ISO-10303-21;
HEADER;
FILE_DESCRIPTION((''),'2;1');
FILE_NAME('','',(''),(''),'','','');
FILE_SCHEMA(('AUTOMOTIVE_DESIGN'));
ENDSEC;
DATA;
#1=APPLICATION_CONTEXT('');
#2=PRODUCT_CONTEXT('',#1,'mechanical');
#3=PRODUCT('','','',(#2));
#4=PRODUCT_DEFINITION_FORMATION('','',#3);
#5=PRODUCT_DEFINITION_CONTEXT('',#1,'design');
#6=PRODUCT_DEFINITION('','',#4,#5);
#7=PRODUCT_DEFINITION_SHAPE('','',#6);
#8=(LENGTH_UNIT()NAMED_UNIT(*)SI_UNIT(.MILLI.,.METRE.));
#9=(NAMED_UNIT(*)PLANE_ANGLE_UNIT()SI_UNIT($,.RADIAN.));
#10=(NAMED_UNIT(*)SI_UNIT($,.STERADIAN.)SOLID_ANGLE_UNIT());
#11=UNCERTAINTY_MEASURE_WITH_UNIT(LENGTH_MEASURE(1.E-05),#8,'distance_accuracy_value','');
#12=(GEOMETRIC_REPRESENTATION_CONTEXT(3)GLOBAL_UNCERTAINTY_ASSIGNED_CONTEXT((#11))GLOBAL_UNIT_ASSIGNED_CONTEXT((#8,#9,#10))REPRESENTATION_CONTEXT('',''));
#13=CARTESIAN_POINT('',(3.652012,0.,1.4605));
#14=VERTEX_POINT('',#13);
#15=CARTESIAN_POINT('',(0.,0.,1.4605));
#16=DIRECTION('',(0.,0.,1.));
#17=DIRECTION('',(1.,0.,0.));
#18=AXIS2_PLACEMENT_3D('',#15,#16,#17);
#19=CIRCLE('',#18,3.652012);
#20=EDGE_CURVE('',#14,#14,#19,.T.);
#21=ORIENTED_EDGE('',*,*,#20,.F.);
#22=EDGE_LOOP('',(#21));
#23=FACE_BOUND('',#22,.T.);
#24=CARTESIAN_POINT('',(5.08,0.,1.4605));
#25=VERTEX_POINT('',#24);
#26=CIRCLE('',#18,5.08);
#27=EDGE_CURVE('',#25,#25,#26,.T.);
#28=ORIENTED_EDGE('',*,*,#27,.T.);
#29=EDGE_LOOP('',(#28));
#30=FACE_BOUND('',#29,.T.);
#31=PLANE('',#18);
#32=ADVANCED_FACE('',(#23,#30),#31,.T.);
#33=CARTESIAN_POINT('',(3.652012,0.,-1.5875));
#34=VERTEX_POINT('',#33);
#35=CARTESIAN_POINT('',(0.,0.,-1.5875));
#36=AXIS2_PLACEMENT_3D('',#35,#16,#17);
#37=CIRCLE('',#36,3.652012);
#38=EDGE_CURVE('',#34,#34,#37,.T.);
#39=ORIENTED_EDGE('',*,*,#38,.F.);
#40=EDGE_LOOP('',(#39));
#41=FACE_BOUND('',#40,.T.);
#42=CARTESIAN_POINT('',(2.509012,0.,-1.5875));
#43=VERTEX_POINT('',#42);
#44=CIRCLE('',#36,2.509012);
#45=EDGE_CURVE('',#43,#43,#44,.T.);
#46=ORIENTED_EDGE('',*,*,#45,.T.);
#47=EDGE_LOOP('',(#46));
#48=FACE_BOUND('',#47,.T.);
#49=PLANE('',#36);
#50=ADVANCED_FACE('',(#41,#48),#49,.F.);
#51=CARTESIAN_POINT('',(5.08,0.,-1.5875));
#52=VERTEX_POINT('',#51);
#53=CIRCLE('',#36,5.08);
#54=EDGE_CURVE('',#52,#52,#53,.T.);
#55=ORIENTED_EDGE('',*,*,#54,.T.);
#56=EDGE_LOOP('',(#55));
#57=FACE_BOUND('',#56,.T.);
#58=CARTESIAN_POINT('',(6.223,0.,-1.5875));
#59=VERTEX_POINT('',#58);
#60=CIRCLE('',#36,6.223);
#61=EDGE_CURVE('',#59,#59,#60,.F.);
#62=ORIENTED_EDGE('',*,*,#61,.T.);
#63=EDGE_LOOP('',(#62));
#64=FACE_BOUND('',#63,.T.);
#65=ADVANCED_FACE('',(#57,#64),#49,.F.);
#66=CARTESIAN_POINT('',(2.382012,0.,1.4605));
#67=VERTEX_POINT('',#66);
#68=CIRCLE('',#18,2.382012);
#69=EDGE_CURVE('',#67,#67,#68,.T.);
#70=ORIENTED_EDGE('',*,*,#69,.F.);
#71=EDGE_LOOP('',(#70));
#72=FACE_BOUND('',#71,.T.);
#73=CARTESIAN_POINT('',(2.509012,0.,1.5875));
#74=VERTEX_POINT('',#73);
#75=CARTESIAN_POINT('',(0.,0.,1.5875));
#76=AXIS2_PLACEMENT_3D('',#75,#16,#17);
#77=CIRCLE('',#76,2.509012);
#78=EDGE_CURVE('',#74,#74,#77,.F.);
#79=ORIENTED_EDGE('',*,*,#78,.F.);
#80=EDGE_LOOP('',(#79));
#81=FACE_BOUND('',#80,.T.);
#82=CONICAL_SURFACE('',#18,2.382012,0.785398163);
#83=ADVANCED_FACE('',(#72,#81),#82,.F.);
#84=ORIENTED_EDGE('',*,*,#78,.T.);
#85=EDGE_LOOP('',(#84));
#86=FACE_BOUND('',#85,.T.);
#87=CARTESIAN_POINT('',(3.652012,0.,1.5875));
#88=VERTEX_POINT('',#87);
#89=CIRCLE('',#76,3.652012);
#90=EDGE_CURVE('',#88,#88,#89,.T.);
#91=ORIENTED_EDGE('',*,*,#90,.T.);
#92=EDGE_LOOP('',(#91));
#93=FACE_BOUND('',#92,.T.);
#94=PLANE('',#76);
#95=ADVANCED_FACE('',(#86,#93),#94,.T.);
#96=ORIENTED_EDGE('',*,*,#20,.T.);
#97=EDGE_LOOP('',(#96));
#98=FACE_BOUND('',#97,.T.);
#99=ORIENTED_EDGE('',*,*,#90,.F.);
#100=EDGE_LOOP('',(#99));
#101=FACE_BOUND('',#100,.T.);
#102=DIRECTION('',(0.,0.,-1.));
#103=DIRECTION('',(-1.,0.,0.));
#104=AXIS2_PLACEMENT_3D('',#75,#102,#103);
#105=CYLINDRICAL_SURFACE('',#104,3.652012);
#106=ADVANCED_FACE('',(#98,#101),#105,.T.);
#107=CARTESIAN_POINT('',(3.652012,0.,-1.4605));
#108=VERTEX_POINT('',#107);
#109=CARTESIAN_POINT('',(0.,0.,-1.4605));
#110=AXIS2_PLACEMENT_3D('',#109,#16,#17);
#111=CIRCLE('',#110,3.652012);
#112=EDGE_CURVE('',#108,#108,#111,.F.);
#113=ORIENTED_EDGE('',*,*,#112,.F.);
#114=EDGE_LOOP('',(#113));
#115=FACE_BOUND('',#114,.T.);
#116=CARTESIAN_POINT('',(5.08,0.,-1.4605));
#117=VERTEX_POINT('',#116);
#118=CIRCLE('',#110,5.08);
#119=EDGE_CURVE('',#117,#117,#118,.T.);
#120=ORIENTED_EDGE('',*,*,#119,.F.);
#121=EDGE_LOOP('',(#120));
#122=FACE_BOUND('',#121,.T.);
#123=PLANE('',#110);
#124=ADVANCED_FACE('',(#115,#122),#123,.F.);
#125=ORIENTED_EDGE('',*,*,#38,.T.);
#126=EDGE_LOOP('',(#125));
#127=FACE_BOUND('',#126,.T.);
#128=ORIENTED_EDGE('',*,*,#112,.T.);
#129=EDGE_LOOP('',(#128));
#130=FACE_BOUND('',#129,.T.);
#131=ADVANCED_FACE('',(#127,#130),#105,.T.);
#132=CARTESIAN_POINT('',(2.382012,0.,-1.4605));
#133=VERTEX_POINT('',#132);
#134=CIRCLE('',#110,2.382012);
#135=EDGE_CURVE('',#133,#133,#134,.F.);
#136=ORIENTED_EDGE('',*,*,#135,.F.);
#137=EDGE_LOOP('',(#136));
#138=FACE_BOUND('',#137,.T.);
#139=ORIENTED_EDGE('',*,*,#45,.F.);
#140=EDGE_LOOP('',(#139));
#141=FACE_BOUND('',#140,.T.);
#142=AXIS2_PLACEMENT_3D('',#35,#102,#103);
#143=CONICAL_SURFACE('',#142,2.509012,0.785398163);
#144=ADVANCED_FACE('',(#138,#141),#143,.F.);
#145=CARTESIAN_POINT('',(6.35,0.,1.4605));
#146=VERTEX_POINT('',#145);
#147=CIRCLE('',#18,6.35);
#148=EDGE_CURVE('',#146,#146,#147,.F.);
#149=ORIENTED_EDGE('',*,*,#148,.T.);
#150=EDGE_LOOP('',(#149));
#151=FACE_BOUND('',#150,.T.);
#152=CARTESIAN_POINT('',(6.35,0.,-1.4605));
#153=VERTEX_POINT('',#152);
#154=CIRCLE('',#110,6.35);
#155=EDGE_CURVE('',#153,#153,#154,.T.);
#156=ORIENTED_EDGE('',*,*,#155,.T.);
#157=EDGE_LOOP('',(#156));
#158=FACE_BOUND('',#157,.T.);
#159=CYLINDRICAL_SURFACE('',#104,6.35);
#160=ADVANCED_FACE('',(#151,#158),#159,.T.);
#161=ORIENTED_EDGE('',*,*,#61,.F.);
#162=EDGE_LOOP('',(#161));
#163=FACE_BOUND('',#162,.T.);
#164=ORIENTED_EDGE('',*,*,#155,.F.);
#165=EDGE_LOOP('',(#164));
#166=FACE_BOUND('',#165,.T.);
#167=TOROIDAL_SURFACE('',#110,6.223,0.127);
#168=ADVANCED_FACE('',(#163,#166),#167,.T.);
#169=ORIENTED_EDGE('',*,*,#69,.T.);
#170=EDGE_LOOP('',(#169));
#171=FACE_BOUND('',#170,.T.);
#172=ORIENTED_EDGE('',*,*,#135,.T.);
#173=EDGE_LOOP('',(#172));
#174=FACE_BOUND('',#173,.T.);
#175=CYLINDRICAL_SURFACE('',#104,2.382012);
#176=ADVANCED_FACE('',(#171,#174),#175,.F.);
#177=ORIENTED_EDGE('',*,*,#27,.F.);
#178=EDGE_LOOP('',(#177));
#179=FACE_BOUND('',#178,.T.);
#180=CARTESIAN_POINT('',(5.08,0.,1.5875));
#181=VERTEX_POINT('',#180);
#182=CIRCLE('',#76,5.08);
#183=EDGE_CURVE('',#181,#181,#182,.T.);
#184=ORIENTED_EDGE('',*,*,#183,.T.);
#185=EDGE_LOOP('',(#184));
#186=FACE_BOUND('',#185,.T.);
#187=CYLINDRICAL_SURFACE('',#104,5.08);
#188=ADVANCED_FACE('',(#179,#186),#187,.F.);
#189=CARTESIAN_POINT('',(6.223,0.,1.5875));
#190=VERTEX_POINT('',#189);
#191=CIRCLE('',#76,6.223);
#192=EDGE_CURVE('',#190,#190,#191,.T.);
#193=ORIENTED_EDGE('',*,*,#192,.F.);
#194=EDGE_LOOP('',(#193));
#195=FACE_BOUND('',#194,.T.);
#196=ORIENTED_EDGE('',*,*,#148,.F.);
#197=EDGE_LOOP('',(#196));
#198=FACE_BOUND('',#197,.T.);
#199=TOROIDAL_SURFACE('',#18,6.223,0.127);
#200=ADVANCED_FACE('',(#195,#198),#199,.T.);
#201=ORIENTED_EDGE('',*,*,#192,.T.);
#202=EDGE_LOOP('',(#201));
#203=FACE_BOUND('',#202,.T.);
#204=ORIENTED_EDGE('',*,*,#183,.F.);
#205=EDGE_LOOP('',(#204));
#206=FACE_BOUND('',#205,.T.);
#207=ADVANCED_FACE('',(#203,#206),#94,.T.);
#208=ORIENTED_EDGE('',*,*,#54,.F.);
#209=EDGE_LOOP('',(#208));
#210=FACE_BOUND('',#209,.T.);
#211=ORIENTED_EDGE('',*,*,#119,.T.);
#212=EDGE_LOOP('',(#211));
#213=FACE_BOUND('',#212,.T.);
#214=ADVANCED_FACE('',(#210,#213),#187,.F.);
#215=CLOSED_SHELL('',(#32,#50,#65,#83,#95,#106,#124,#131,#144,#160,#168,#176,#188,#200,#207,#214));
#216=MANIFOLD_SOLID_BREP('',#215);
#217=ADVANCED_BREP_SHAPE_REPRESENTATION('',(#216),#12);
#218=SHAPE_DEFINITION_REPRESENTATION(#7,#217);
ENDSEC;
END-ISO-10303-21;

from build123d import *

# Parameters (mm, degrees)
SKETCH1_R             = 6.35
SKETCH1_R_2           = 5.08
BOSS_EXTRUDE1_DEPTH   = 1.5875
SKETCH1_R_3           = 3.652012
SKETCH1_R_4           = 2.382012
BOSS_EXTRUDE1_2_DEPTH = 1.5875
SKETCH2_R             = 5.08
SKETCH2_R_2           = 3.652012
BOSS_EXTRUDE2_DEPTH   = 1.4605
FILLET1_R             = 0.127
CHAMFER1_SIZE         = 0.127


with BuildPart() as part:
    # Sketch1 → Boss-Extrude1 (new, symmetric)
    with BuildSketch(Plane.XY):
        Circle(SKETCH1_R)
        Circle(SKETCH1_R_2, mode=Mode.SUBTRACT)
    extrude(amount=BOSS_EXTRUDE1_DEPTH, both=True)



with BuildPart() as body_2:
    # Sketch1 → Boss-Extrude1 2 (new, symmetric)
    with BuildSketch(Plane.XY):
        Circle(SKETCH1_R_3)
        Circle(SKETCH1_R_4, mode=Mode.SUBTRACT)
    extrude(amount=BOSS_EXTRUDE1_2_DEPTH, both=True)


with BuildPart() as part_1:
    add(part.part)

    add(body_2.part)  # Boss-Extrude2 merges body 2
    # Sketch2 → Boss-Extrude2 (add, symmetric)
    with BuildSketch(Plane.XY):
        Circle(SKETCH2_R)
        Circle(SKETCH2_R_2, mode=Mode.SUBTRACT)
    extrude(amount=BOSS_EXTRUDE2_DEPTH, both=True)

    # Fillet1
    fillet1_edges = [part_1.edges().sort_by_distance(p)[0] for p in [
        (-6.35, 0, 1.5875),
        (-6.35, 0, -1.5875),
    ]]
    fillet(fillet1_edges, radius=FILLET1_R)

    # Chamfer1
    chamfer1_edges = [part_1.edges().sort_by_distance(p)[0] for p in [
        (-2.382012, 0, 1.5875),
        (-2.382012, 0, -1.5875),
    ]]
    chamfer(chamfer1_edges, length=CHAMFER1_SIZE)


solid = part_1.part
